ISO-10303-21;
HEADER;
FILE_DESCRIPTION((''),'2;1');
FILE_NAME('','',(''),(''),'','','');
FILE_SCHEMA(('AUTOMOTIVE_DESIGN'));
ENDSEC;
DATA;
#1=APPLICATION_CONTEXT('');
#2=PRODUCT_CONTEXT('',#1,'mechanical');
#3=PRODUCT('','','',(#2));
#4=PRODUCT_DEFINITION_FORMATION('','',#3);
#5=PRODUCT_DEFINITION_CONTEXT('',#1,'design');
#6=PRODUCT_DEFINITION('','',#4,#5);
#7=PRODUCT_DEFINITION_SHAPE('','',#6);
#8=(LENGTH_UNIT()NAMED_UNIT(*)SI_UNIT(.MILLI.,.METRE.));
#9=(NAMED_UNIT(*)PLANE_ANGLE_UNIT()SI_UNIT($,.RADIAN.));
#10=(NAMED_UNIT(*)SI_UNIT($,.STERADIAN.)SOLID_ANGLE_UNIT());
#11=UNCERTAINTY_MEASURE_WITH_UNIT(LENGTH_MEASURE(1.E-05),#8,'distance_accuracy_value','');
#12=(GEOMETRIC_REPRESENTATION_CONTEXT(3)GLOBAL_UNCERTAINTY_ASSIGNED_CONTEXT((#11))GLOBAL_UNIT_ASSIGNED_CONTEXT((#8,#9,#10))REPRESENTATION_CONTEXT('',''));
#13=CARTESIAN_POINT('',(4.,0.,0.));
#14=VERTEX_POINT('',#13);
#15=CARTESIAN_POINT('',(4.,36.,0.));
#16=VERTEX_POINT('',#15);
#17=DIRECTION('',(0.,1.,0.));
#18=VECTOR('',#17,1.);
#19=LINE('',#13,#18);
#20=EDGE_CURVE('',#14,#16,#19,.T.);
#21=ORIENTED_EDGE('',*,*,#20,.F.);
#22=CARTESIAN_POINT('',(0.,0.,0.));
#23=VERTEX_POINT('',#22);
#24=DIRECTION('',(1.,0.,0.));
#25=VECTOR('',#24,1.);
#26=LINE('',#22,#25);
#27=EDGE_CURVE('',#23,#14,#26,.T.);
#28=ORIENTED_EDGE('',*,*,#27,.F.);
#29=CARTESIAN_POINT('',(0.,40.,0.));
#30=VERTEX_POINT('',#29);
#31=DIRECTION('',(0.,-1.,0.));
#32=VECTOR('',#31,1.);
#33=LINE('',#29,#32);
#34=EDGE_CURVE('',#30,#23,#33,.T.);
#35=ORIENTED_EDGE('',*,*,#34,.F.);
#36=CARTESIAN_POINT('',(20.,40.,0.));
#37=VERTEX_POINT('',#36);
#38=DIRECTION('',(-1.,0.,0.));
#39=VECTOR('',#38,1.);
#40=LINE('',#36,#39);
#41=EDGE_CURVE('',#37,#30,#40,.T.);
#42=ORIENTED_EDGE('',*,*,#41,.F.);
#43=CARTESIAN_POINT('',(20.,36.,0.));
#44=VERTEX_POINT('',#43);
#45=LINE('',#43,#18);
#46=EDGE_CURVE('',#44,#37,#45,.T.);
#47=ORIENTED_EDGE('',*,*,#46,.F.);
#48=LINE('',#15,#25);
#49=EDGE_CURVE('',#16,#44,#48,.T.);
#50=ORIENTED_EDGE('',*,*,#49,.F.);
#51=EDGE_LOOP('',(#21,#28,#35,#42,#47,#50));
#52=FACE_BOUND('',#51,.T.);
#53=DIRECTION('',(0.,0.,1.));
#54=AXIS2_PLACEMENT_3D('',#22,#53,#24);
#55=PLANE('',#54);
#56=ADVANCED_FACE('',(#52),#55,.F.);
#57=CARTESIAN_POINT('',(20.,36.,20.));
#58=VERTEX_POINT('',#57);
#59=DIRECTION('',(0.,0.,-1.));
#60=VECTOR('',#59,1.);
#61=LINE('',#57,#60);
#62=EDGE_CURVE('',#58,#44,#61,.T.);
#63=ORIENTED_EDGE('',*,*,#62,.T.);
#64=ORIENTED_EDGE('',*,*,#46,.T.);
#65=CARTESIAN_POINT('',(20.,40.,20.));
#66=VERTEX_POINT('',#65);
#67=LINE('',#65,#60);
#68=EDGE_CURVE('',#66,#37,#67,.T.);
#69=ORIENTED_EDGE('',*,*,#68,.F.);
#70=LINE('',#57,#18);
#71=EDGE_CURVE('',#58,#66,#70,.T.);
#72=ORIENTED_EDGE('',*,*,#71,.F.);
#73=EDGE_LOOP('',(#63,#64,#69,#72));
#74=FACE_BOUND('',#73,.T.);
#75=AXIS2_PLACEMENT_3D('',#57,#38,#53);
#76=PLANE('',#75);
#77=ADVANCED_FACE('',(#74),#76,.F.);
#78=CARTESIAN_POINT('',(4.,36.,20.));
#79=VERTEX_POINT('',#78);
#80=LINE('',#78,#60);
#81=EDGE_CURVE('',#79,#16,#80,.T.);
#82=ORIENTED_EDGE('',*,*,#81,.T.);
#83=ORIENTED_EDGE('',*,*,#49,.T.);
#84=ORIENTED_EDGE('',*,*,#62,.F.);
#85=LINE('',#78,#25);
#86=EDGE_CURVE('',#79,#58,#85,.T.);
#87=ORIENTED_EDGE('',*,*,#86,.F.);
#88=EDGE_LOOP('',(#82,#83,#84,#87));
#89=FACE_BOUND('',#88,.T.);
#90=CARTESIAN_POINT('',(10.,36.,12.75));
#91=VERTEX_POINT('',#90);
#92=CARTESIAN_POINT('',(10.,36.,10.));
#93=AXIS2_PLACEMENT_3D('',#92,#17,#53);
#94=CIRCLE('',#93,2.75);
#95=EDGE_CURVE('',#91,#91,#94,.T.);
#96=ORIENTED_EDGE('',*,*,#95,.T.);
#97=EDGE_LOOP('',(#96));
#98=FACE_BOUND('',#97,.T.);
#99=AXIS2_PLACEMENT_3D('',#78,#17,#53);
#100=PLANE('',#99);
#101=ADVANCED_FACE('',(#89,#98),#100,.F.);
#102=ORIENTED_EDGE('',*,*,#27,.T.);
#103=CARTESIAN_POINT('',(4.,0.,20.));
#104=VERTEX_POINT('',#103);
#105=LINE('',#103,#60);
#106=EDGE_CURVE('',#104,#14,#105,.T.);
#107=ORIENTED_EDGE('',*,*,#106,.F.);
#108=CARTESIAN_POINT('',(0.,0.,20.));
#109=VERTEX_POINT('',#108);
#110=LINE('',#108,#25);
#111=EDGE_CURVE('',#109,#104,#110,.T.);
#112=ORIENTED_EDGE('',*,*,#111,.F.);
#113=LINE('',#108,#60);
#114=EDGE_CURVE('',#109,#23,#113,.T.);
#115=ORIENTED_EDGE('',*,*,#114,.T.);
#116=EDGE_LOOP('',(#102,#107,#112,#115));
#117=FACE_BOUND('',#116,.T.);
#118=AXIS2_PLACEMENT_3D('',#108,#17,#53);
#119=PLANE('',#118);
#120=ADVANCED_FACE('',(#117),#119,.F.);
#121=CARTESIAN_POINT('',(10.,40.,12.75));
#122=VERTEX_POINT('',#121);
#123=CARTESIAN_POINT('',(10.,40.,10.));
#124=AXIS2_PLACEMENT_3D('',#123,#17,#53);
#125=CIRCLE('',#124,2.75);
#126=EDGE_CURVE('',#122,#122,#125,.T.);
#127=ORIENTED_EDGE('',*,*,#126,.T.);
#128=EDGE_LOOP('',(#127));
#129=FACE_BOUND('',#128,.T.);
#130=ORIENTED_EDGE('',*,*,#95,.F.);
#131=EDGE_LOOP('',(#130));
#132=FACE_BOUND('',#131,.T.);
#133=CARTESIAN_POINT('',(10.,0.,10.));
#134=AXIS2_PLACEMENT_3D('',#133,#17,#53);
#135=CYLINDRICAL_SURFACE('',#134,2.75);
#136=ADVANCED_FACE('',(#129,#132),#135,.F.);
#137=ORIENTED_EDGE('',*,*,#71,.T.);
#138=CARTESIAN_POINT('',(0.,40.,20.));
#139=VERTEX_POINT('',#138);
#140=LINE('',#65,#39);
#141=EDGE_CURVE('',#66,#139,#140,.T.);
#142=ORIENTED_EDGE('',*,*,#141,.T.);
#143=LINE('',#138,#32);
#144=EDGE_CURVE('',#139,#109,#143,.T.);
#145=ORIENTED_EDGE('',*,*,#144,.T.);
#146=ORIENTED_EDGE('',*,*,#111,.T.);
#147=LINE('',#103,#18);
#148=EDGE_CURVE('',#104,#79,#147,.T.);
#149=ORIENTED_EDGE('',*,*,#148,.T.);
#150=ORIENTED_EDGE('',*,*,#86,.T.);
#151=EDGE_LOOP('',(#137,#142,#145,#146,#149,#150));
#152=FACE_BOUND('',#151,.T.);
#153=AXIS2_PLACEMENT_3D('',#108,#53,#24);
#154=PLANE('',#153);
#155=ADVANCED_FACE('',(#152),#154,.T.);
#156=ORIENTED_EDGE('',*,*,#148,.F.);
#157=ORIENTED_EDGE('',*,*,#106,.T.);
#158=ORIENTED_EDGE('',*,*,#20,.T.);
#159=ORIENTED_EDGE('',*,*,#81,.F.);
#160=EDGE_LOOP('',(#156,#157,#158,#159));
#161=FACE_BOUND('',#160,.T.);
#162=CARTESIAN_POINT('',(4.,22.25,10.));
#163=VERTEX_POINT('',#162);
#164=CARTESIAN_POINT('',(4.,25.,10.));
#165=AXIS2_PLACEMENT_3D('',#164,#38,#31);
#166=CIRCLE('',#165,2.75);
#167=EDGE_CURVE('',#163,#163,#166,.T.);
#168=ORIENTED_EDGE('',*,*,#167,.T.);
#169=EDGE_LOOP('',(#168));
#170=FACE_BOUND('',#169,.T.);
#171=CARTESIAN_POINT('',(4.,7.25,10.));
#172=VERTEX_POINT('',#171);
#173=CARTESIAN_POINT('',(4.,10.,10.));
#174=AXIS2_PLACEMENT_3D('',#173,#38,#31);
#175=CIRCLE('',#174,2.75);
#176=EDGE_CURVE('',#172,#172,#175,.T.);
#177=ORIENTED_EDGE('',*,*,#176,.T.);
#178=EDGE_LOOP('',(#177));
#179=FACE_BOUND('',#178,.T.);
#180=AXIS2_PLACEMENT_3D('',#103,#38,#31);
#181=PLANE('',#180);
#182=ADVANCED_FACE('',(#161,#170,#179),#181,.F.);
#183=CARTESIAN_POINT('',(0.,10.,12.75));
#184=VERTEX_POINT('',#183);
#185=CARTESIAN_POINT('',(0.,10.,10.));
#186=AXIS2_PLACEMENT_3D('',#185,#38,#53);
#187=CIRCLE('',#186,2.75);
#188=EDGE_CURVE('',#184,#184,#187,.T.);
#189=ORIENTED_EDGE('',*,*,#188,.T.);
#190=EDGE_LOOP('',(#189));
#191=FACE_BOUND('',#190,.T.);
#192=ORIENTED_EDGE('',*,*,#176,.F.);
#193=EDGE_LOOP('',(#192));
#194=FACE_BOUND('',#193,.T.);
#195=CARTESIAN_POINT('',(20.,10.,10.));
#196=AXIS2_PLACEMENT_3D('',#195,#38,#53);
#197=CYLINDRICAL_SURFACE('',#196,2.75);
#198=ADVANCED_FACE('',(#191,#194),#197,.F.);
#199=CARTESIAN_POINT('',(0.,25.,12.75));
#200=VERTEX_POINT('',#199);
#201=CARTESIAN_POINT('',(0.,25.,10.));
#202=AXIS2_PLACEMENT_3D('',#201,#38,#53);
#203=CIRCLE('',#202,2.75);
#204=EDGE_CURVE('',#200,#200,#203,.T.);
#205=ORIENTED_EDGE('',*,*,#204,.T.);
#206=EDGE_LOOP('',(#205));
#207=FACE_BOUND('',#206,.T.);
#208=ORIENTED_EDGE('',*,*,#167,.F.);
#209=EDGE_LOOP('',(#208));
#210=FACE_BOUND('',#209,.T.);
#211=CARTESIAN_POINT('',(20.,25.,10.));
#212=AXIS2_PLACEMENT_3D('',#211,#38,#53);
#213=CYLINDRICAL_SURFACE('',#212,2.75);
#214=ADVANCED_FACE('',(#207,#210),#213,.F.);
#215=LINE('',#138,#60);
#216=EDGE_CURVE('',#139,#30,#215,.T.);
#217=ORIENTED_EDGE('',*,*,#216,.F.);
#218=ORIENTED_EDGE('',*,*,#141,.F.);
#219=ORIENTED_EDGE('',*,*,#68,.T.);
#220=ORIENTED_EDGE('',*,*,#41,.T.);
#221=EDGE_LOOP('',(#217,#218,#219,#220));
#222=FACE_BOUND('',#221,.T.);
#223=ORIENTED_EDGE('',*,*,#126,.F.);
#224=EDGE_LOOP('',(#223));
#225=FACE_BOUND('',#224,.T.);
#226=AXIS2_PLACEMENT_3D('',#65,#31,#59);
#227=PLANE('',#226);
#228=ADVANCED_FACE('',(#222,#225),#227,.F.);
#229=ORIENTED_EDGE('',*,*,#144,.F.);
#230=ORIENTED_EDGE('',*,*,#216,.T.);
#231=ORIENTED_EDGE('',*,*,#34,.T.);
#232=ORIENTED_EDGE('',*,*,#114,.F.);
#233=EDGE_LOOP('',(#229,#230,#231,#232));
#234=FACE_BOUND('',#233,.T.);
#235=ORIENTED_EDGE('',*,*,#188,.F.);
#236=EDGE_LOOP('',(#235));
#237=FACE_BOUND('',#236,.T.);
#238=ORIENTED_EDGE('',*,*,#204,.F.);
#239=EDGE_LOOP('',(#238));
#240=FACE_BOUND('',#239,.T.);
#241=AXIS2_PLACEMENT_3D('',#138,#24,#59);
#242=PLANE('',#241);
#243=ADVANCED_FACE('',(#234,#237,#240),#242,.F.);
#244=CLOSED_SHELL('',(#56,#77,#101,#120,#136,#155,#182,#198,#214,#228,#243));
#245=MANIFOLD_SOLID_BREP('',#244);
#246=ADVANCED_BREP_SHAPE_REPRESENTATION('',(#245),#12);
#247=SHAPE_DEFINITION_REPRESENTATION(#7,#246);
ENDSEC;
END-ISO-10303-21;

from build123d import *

# Parameters (mm, degrees)
BOSS_EXTRUDE1_DEPTH = 20
SKETCH2_R           = 2.75
CUT_EXTRUDE1_DEPTH  = 49.989794856
SKETCH3_R           = 2.75
CUT_EXTRUDE2_DEPTH  = 49.989794856


with BuildPart() as part:
    # Sketch1 → Boss-Extrude1 (new body)
    with BuildSketch(Plane.XY):
        Polygon((0, 0), (4, 0), (4, 36), (20, 36), (20, 40), (0, 40), align=None)
    extrude(amount=BOSS_EXTRUDE1_DEPTH)

    # Sketch2 → Cut-Extrude1 (cut, through all)
    with BuildSketch(Plane(origin=(0, 40, 0), x_dir=(1, 0, 0), z_dir=(0, 1, 0))):
        with Locations(Location((10, -10, 0), (0, 0, 270))):
            Circle(SKETCH2_R)
    extrude(amount=-CUT_EXTRUDE1_DEPTH, mode=Mode.SUBTRACT)

    # Sketch3 → Cut-Extrude2 (cut, through all)
    with BuildSketch(Plane.ZY):
        with Locations((10, 10)):
            Circle(SKETCH3_R)
        with Locations((10, 25)):
            Circle(SKETCH3_R)
    extrude(amount=-CUT_EXTRUDE2_DEPTH, mode=Mode.SUBTRACT)


solid = part.part
